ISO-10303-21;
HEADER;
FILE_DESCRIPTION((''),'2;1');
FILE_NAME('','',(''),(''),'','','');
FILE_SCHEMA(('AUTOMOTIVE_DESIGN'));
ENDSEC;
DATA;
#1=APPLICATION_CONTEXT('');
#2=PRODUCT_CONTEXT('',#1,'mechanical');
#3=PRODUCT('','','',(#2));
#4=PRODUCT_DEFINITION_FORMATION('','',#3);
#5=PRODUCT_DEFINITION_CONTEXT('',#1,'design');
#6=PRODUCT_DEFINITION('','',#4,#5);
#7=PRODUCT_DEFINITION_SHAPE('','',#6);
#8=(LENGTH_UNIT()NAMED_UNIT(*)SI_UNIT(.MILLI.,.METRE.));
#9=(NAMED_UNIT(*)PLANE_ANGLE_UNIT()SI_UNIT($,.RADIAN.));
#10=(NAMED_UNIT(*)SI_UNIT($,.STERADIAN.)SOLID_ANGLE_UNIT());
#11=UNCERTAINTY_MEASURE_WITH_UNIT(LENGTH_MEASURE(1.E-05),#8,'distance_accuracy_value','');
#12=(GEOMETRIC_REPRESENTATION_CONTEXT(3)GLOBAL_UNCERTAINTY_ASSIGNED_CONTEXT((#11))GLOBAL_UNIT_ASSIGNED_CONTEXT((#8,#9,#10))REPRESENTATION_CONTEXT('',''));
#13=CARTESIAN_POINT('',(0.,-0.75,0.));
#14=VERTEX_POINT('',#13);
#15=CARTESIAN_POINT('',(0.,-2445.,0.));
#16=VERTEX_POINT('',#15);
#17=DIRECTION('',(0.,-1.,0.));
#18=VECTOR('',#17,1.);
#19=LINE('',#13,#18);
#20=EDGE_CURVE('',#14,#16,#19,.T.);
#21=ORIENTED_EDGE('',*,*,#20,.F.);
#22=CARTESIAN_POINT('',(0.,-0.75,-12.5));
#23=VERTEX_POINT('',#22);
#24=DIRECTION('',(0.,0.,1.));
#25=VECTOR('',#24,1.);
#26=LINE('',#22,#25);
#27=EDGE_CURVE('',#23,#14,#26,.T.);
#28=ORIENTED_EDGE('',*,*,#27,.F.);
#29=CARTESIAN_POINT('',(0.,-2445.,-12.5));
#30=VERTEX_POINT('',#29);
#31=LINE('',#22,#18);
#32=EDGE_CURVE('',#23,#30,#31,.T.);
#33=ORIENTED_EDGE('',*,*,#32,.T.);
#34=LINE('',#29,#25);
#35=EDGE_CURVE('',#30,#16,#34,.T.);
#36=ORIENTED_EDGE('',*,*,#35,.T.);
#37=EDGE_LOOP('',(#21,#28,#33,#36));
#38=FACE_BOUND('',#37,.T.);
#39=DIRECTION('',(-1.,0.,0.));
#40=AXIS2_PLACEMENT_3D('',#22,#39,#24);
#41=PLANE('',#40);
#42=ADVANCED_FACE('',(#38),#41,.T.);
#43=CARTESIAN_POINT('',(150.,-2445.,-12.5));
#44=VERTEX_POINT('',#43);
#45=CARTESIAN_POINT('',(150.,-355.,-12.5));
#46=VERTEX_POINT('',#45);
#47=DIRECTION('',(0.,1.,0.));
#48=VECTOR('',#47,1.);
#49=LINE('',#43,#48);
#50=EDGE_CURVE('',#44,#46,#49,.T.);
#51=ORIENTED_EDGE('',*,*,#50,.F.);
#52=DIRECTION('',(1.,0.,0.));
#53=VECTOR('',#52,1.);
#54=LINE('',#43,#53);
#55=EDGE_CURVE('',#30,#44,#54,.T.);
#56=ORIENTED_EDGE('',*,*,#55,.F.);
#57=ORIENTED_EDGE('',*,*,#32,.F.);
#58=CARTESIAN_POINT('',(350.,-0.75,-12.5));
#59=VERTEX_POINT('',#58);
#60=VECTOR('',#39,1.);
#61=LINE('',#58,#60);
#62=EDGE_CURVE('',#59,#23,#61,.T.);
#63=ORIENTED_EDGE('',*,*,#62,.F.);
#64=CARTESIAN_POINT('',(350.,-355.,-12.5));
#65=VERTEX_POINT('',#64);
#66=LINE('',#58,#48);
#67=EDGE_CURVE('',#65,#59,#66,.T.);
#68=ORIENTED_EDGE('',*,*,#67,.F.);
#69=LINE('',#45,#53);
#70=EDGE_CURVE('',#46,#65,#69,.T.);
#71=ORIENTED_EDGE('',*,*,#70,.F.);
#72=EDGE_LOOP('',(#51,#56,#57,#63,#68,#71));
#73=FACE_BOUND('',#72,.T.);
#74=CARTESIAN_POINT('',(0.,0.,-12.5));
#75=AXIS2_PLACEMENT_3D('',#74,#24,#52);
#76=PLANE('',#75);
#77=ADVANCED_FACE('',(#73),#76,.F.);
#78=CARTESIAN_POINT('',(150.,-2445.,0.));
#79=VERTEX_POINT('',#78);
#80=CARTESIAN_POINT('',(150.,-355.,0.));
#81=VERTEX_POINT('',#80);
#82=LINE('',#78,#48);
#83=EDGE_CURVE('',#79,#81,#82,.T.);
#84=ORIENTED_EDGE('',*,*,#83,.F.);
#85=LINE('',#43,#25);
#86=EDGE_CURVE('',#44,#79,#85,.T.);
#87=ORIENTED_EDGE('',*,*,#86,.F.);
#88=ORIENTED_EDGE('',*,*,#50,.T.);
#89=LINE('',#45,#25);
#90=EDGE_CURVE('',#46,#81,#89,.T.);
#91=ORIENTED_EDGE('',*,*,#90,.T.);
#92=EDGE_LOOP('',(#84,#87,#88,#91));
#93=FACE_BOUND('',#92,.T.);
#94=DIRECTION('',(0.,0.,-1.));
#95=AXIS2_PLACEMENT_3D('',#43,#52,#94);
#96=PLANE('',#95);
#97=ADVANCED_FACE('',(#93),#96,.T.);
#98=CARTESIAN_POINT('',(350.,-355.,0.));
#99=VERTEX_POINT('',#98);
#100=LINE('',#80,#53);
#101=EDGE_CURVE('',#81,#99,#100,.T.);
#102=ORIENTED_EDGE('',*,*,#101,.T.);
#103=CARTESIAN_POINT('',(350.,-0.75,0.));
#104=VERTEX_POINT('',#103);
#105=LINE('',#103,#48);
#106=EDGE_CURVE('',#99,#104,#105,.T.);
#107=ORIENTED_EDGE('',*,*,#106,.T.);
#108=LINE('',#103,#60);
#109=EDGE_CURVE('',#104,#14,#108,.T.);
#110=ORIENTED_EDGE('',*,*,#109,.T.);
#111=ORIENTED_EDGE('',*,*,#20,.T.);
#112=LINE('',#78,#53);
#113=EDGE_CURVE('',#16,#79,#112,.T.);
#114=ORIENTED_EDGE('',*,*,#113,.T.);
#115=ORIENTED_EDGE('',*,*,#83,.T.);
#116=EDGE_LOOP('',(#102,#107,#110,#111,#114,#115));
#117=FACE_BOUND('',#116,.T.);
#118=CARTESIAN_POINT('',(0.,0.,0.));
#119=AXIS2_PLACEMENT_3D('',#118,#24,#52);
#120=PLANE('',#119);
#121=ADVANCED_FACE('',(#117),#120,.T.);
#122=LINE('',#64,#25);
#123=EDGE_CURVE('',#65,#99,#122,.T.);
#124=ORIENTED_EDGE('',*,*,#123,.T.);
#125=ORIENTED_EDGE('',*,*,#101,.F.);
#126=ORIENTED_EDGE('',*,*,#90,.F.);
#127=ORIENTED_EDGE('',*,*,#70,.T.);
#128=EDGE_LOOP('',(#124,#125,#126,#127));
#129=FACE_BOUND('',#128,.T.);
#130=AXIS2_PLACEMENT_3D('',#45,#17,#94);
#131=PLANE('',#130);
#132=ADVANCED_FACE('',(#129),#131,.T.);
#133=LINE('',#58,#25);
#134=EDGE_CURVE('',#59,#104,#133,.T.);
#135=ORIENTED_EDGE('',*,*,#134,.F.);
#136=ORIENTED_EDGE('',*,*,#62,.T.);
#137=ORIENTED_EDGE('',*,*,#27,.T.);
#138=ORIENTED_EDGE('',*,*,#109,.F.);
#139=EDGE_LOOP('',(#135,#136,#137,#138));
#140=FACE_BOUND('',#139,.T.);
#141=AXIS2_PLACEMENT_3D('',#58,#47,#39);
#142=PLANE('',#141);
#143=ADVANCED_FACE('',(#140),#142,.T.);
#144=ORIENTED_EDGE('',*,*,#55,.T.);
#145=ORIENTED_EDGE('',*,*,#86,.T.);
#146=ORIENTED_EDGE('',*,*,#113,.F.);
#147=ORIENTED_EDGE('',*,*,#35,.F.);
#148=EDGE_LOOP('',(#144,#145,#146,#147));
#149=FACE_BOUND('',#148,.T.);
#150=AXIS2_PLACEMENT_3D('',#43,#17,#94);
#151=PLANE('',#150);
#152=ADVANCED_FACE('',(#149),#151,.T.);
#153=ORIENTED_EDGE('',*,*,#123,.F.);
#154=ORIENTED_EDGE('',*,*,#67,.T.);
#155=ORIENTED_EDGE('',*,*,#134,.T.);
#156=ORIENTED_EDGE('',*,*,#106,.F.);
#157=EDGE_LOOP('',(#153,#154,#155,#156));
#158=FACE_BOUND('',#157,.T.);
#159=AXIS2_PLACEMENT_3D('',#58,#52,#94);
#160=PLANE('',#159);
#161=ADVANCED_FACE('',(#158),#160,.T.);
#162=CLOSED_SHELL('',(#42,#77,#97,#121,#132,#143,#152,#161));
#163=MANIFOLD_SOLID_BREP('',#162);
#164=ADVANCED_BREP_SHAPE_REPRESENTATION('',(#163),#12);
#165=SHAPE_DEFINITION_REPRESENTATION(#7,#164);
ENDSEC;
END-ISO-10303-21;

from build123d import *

# Parameters (mm, degrees)
EXTRUDE_1_DEPTH = 12.5


with BuildPart() as part:
    # Эскиз1 → Бобышка-Вытянуть1 (new body)
    with BuildSketch(Plane.XY):
        Polygon((350, -0.75), (0, -0.75), (0, -2445), (150, -2445), (150, -355), (350, -355), align=None)
    extrude(amount=-EXTRUDE_1_DEPTH)


solid = part.part
